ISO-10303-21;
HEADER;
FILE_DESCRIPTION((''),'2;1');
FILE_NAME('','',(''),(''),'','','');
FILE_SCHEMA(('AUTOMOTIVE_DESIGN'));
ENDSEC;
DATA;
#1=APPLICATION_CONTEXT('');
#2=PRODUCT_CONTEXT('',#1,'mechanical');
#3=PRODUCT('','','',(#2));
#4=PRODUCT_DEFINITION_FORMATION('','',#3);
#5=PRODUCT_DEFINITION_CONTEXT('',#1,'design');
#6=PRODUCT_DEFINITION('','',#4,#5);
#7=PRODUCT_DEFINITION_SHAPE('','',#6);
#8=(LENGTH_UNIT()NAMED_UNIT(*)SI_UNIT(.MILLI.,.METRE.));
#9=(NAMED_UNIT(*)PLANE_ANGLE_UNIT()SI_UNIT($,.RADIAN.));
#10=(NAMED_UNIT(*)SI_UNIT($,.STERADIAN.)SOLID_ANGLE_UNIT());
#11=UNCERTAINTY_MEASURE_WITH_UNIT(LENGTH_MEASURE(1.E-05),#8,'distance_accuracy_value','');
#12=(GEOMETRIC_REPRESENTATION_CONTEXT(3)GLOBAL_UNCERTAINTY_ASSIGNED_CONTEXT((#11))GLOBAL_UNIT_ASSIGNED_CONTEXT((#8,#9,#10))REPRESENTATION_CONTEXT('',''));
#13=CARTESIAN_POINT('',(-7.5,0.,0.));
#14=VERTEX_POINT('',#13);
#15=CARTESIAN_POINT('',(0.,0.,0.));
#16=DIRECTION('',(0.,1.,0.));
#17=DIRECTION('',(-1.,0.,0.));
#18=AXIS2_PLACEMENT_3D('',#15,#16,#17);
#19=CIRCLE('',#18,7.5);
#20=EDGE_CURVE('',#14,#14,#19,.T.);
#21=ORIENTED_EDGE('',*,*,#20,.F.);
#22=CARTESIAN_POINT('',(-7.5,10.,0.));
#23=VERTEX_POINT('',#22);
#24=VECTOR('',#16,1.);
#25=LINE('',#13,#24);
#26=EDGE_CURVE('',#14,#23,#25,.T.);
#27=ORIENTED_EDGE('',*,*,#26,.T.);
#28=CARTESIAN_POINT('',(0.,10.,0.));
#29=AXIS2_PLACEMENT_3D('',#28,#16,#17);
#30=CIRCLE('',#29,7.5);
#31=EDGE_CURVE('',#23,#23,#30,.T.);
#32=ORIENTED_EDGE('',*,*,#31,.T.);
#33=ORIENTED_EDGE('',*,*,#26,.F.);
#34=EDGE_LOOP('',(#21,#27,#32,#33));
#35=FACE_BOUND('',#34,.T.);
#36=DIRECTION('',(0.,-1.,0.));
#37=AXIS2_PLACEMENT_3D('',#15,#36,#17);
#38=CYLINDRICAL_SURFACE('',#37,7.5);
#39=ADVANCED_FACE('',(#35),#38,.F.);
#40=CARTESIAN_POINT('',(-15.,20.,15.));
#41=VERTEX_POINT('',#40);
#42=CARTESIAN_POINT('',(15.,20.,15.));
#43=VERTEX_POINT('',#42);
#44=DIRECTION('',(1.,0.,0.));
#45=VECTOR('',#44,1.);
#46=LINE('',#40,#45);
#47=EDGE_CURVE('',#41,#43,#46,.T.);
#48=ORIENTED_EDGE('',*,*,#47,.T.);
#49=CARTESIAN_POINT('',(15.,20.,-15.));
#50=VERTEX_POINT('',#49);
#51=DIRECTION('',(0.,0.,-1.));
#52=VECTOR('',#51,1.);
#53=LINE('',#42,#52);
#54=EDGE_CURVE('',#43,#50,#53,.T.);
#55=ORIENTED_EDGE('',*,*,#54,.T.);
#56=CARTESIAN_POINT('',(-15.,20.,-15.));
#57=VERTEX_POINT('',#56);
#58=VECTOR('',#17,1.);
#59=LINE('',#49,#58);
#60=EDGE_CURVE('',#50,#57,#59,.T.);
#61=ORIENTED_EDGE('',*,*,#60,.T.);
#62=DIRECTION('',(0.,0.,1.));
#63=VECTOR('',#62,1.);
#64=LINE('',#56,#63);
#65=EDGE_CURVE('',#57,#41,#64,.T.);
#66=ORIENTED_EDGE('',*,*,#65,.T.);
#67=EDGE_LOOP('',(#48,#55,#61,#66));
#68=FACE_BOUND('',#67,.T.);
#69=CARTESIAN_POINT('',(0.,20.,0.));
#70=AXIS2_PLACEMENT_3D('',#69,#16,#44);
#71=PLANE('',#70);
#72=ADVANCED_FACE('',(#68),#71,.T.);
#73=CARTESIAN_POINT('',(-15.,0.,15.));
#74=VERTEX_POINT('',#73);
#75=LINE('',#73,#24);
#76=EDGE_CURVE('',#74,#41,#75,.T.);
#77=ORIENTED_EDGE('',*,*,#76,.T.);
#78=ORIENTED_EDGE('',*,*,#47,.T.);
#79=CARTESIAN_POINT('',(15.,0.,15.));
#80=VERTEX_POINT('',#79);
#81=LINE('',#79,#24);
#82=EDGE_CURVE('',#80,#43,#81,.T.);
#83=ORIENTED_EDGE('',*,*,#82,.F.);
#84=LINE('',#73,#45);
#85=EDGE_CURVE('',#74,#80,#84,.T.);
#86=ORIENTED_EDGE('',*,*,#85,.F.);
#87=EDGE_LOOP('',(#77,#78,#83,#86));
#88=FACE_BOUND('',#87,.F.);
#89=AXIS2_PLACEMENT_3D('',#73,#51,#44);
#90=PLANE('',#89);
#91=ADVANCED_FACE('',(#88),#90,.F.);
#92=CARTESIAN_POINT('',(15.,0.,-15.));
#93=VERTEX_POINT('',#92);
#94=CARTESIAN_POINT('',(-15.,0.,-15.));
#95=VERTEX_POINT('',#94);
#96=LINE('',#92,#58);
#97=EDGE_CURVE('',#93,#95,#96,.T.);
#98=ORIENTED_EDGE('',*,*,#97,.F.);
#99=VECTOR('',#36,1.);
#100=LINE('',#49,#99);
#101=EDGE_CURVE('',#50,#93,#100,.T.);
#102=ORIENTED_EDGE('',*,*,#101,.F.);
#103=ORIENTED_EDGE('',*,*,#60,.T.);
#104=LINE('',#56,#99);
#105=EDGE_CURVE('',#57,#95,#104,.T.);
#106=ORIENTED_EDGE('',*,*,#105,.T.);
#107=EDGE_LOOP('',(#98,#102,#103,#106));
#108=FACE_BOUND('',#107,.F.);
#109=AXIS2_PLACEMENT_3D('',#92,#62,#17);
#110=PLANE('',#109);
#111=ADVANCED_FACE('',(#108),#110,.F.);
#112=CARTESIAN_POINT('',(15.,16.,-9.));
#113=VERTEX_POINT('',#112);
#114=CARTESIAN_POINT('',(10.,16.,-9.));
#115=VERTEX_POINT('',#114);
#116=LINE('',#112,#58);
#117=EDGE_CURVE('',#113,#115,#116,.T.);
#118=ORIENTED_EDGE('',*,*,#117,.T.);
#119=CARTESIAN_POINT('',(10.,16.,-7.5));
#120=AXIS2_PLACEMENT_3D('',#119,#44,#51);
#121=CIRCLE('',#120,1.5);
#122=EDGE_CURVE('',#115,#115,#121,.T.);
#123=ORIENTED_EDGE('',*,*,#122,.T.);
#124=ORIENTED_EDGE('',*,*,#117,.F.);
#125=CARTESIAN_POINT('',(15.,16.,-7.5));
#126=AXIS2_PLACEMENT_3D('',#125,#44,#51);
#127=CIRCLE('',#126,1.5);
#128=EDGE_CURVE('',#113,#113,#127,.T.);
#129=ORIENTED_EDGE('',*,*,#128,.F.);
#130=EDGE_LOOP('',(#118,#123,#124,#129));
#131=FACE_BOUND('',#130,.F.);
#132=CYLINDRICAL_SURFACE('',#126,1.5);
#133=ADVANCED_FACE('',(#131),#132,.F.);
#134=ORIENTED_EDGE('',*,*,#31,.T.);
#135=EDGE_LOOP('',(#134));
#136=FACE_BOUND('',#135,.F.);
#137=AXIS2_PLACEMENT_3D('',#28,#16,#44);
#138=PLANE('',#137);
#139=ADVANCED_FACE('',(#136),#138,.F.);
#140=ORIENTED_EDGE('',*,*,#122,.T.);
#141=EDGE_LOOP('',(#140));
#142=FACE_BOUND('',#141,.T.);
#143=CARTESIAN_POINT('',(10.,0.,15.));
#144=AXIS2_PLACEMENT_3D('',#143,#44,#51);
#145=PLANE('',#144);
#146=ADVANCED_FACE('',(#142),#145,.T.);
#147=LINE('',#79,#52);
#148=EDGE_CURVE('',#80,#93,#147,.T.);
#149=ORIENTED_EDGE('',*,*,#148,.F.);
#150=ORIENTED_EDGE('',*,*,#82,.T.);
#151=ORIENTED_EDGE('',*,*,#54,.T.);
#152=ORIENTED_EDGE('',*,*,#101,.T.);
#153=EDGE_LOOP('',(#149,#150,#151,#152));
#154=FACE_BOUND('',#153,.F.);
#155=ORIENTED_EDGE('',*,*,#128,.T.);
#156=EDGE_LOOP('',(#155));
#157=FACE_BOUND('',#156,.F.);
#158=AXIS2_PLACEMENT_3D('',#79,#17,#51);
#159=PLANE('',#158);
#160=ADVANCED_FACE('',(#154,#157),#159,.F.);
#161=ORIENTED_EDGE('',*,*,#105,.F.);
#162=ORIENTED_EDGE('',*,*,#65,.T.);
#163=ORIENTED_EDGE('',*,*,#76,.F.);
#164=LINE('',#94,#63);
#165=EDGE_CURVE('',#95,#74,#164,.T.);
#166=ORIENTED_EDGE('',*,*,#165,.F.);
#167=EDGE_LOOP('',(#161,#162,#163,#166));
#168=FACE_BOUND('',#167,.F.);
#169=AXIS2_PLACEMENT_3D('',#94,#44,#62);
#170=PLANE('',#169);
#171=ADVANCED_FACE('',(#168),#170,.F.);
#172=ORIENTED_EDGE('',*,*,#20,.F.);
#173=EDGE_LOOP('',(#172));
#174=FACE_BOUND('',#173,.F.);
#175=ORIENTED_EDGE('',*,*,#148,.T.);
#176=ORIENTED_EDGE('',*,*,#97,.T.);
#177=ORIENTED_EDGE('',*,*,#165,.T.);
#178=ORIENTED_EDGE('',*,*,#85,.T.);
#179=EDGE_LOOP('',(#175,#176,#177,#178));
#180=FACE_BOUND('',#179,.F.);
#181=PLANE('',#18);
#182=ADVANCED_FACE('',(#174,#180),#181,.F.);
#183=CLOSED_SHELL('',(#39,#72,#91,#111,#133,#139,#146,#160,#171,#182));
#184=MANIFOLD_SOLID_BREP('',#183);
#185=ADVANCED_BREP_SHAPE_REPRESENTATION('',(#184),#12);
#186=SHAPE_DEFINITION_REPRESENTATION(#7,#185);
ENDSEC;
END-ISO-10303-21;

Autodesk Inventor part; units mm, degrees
ref_plane "YZ Plane" through (0, 0, 0) normal (1, 0, 0) x (0, 1, 0)
ref_plane "XZ Plane" through (0, 0, 0) normal (0, 1, 0) x (-1, 0, 0)
ref_plane "XY Plane" through (0, 0, 0) normal (0, 0, 1) x (1, 0, 0)
sketch "Sketch1" plane through (0, 0, 0) normal (0, 1, 0) x (-1, 0, 0)
  circle A0 centre (0, 0) radius 7.5
  line L0 (15, 15) -> (-15, 15)
  line L1 (-15, 15) -> (-15, -15)
  line L2 (-15, -15) -> (15, -15)
  line L3 (15, -15) -> (15, 15)
  dimension "d0" = 15
  dimension "d1" = 30
  dimension "d2" = 30
  dimension "d3" = 15
  dimension "d4" = 15
extrude "Extrusion1" add sketch "Sketch1" along normal blind 10
sketch "Sketch2" plane through (0, 10, 0) normal (0, 1, 0) x (1, 0, 0)
  line L0 (-15, -15) -> (15, -15)
  line L1 (15, -15) -> (15, 15)
  line L2 (15, 15) -> (-15, 15)
  line L3 (-15, 15) -> (-15, -15)
  point P0 (0, 0)
extrude "Extrusion2" add sketch "Sketch2" along normal blind 10
sketch "Sketch3" plane through (15, 0, 15) normal (1, 0, 0) x (0, 0, -1)
  line L0 (15, 0) -> (30, 0)
  line L1 (22.5, 10) -> (22.5, 0) projected
  line L2 (22.5, 0) -> (22.5, 7)
  circle A0 centre (22.5, 16) radius 1.5
  dimension "d9" = 16
  dimension "d10" = 3
extrude "Extrusion3" cut sketch "Sketch3" against normal blind 5
properties part number "bruh2"
